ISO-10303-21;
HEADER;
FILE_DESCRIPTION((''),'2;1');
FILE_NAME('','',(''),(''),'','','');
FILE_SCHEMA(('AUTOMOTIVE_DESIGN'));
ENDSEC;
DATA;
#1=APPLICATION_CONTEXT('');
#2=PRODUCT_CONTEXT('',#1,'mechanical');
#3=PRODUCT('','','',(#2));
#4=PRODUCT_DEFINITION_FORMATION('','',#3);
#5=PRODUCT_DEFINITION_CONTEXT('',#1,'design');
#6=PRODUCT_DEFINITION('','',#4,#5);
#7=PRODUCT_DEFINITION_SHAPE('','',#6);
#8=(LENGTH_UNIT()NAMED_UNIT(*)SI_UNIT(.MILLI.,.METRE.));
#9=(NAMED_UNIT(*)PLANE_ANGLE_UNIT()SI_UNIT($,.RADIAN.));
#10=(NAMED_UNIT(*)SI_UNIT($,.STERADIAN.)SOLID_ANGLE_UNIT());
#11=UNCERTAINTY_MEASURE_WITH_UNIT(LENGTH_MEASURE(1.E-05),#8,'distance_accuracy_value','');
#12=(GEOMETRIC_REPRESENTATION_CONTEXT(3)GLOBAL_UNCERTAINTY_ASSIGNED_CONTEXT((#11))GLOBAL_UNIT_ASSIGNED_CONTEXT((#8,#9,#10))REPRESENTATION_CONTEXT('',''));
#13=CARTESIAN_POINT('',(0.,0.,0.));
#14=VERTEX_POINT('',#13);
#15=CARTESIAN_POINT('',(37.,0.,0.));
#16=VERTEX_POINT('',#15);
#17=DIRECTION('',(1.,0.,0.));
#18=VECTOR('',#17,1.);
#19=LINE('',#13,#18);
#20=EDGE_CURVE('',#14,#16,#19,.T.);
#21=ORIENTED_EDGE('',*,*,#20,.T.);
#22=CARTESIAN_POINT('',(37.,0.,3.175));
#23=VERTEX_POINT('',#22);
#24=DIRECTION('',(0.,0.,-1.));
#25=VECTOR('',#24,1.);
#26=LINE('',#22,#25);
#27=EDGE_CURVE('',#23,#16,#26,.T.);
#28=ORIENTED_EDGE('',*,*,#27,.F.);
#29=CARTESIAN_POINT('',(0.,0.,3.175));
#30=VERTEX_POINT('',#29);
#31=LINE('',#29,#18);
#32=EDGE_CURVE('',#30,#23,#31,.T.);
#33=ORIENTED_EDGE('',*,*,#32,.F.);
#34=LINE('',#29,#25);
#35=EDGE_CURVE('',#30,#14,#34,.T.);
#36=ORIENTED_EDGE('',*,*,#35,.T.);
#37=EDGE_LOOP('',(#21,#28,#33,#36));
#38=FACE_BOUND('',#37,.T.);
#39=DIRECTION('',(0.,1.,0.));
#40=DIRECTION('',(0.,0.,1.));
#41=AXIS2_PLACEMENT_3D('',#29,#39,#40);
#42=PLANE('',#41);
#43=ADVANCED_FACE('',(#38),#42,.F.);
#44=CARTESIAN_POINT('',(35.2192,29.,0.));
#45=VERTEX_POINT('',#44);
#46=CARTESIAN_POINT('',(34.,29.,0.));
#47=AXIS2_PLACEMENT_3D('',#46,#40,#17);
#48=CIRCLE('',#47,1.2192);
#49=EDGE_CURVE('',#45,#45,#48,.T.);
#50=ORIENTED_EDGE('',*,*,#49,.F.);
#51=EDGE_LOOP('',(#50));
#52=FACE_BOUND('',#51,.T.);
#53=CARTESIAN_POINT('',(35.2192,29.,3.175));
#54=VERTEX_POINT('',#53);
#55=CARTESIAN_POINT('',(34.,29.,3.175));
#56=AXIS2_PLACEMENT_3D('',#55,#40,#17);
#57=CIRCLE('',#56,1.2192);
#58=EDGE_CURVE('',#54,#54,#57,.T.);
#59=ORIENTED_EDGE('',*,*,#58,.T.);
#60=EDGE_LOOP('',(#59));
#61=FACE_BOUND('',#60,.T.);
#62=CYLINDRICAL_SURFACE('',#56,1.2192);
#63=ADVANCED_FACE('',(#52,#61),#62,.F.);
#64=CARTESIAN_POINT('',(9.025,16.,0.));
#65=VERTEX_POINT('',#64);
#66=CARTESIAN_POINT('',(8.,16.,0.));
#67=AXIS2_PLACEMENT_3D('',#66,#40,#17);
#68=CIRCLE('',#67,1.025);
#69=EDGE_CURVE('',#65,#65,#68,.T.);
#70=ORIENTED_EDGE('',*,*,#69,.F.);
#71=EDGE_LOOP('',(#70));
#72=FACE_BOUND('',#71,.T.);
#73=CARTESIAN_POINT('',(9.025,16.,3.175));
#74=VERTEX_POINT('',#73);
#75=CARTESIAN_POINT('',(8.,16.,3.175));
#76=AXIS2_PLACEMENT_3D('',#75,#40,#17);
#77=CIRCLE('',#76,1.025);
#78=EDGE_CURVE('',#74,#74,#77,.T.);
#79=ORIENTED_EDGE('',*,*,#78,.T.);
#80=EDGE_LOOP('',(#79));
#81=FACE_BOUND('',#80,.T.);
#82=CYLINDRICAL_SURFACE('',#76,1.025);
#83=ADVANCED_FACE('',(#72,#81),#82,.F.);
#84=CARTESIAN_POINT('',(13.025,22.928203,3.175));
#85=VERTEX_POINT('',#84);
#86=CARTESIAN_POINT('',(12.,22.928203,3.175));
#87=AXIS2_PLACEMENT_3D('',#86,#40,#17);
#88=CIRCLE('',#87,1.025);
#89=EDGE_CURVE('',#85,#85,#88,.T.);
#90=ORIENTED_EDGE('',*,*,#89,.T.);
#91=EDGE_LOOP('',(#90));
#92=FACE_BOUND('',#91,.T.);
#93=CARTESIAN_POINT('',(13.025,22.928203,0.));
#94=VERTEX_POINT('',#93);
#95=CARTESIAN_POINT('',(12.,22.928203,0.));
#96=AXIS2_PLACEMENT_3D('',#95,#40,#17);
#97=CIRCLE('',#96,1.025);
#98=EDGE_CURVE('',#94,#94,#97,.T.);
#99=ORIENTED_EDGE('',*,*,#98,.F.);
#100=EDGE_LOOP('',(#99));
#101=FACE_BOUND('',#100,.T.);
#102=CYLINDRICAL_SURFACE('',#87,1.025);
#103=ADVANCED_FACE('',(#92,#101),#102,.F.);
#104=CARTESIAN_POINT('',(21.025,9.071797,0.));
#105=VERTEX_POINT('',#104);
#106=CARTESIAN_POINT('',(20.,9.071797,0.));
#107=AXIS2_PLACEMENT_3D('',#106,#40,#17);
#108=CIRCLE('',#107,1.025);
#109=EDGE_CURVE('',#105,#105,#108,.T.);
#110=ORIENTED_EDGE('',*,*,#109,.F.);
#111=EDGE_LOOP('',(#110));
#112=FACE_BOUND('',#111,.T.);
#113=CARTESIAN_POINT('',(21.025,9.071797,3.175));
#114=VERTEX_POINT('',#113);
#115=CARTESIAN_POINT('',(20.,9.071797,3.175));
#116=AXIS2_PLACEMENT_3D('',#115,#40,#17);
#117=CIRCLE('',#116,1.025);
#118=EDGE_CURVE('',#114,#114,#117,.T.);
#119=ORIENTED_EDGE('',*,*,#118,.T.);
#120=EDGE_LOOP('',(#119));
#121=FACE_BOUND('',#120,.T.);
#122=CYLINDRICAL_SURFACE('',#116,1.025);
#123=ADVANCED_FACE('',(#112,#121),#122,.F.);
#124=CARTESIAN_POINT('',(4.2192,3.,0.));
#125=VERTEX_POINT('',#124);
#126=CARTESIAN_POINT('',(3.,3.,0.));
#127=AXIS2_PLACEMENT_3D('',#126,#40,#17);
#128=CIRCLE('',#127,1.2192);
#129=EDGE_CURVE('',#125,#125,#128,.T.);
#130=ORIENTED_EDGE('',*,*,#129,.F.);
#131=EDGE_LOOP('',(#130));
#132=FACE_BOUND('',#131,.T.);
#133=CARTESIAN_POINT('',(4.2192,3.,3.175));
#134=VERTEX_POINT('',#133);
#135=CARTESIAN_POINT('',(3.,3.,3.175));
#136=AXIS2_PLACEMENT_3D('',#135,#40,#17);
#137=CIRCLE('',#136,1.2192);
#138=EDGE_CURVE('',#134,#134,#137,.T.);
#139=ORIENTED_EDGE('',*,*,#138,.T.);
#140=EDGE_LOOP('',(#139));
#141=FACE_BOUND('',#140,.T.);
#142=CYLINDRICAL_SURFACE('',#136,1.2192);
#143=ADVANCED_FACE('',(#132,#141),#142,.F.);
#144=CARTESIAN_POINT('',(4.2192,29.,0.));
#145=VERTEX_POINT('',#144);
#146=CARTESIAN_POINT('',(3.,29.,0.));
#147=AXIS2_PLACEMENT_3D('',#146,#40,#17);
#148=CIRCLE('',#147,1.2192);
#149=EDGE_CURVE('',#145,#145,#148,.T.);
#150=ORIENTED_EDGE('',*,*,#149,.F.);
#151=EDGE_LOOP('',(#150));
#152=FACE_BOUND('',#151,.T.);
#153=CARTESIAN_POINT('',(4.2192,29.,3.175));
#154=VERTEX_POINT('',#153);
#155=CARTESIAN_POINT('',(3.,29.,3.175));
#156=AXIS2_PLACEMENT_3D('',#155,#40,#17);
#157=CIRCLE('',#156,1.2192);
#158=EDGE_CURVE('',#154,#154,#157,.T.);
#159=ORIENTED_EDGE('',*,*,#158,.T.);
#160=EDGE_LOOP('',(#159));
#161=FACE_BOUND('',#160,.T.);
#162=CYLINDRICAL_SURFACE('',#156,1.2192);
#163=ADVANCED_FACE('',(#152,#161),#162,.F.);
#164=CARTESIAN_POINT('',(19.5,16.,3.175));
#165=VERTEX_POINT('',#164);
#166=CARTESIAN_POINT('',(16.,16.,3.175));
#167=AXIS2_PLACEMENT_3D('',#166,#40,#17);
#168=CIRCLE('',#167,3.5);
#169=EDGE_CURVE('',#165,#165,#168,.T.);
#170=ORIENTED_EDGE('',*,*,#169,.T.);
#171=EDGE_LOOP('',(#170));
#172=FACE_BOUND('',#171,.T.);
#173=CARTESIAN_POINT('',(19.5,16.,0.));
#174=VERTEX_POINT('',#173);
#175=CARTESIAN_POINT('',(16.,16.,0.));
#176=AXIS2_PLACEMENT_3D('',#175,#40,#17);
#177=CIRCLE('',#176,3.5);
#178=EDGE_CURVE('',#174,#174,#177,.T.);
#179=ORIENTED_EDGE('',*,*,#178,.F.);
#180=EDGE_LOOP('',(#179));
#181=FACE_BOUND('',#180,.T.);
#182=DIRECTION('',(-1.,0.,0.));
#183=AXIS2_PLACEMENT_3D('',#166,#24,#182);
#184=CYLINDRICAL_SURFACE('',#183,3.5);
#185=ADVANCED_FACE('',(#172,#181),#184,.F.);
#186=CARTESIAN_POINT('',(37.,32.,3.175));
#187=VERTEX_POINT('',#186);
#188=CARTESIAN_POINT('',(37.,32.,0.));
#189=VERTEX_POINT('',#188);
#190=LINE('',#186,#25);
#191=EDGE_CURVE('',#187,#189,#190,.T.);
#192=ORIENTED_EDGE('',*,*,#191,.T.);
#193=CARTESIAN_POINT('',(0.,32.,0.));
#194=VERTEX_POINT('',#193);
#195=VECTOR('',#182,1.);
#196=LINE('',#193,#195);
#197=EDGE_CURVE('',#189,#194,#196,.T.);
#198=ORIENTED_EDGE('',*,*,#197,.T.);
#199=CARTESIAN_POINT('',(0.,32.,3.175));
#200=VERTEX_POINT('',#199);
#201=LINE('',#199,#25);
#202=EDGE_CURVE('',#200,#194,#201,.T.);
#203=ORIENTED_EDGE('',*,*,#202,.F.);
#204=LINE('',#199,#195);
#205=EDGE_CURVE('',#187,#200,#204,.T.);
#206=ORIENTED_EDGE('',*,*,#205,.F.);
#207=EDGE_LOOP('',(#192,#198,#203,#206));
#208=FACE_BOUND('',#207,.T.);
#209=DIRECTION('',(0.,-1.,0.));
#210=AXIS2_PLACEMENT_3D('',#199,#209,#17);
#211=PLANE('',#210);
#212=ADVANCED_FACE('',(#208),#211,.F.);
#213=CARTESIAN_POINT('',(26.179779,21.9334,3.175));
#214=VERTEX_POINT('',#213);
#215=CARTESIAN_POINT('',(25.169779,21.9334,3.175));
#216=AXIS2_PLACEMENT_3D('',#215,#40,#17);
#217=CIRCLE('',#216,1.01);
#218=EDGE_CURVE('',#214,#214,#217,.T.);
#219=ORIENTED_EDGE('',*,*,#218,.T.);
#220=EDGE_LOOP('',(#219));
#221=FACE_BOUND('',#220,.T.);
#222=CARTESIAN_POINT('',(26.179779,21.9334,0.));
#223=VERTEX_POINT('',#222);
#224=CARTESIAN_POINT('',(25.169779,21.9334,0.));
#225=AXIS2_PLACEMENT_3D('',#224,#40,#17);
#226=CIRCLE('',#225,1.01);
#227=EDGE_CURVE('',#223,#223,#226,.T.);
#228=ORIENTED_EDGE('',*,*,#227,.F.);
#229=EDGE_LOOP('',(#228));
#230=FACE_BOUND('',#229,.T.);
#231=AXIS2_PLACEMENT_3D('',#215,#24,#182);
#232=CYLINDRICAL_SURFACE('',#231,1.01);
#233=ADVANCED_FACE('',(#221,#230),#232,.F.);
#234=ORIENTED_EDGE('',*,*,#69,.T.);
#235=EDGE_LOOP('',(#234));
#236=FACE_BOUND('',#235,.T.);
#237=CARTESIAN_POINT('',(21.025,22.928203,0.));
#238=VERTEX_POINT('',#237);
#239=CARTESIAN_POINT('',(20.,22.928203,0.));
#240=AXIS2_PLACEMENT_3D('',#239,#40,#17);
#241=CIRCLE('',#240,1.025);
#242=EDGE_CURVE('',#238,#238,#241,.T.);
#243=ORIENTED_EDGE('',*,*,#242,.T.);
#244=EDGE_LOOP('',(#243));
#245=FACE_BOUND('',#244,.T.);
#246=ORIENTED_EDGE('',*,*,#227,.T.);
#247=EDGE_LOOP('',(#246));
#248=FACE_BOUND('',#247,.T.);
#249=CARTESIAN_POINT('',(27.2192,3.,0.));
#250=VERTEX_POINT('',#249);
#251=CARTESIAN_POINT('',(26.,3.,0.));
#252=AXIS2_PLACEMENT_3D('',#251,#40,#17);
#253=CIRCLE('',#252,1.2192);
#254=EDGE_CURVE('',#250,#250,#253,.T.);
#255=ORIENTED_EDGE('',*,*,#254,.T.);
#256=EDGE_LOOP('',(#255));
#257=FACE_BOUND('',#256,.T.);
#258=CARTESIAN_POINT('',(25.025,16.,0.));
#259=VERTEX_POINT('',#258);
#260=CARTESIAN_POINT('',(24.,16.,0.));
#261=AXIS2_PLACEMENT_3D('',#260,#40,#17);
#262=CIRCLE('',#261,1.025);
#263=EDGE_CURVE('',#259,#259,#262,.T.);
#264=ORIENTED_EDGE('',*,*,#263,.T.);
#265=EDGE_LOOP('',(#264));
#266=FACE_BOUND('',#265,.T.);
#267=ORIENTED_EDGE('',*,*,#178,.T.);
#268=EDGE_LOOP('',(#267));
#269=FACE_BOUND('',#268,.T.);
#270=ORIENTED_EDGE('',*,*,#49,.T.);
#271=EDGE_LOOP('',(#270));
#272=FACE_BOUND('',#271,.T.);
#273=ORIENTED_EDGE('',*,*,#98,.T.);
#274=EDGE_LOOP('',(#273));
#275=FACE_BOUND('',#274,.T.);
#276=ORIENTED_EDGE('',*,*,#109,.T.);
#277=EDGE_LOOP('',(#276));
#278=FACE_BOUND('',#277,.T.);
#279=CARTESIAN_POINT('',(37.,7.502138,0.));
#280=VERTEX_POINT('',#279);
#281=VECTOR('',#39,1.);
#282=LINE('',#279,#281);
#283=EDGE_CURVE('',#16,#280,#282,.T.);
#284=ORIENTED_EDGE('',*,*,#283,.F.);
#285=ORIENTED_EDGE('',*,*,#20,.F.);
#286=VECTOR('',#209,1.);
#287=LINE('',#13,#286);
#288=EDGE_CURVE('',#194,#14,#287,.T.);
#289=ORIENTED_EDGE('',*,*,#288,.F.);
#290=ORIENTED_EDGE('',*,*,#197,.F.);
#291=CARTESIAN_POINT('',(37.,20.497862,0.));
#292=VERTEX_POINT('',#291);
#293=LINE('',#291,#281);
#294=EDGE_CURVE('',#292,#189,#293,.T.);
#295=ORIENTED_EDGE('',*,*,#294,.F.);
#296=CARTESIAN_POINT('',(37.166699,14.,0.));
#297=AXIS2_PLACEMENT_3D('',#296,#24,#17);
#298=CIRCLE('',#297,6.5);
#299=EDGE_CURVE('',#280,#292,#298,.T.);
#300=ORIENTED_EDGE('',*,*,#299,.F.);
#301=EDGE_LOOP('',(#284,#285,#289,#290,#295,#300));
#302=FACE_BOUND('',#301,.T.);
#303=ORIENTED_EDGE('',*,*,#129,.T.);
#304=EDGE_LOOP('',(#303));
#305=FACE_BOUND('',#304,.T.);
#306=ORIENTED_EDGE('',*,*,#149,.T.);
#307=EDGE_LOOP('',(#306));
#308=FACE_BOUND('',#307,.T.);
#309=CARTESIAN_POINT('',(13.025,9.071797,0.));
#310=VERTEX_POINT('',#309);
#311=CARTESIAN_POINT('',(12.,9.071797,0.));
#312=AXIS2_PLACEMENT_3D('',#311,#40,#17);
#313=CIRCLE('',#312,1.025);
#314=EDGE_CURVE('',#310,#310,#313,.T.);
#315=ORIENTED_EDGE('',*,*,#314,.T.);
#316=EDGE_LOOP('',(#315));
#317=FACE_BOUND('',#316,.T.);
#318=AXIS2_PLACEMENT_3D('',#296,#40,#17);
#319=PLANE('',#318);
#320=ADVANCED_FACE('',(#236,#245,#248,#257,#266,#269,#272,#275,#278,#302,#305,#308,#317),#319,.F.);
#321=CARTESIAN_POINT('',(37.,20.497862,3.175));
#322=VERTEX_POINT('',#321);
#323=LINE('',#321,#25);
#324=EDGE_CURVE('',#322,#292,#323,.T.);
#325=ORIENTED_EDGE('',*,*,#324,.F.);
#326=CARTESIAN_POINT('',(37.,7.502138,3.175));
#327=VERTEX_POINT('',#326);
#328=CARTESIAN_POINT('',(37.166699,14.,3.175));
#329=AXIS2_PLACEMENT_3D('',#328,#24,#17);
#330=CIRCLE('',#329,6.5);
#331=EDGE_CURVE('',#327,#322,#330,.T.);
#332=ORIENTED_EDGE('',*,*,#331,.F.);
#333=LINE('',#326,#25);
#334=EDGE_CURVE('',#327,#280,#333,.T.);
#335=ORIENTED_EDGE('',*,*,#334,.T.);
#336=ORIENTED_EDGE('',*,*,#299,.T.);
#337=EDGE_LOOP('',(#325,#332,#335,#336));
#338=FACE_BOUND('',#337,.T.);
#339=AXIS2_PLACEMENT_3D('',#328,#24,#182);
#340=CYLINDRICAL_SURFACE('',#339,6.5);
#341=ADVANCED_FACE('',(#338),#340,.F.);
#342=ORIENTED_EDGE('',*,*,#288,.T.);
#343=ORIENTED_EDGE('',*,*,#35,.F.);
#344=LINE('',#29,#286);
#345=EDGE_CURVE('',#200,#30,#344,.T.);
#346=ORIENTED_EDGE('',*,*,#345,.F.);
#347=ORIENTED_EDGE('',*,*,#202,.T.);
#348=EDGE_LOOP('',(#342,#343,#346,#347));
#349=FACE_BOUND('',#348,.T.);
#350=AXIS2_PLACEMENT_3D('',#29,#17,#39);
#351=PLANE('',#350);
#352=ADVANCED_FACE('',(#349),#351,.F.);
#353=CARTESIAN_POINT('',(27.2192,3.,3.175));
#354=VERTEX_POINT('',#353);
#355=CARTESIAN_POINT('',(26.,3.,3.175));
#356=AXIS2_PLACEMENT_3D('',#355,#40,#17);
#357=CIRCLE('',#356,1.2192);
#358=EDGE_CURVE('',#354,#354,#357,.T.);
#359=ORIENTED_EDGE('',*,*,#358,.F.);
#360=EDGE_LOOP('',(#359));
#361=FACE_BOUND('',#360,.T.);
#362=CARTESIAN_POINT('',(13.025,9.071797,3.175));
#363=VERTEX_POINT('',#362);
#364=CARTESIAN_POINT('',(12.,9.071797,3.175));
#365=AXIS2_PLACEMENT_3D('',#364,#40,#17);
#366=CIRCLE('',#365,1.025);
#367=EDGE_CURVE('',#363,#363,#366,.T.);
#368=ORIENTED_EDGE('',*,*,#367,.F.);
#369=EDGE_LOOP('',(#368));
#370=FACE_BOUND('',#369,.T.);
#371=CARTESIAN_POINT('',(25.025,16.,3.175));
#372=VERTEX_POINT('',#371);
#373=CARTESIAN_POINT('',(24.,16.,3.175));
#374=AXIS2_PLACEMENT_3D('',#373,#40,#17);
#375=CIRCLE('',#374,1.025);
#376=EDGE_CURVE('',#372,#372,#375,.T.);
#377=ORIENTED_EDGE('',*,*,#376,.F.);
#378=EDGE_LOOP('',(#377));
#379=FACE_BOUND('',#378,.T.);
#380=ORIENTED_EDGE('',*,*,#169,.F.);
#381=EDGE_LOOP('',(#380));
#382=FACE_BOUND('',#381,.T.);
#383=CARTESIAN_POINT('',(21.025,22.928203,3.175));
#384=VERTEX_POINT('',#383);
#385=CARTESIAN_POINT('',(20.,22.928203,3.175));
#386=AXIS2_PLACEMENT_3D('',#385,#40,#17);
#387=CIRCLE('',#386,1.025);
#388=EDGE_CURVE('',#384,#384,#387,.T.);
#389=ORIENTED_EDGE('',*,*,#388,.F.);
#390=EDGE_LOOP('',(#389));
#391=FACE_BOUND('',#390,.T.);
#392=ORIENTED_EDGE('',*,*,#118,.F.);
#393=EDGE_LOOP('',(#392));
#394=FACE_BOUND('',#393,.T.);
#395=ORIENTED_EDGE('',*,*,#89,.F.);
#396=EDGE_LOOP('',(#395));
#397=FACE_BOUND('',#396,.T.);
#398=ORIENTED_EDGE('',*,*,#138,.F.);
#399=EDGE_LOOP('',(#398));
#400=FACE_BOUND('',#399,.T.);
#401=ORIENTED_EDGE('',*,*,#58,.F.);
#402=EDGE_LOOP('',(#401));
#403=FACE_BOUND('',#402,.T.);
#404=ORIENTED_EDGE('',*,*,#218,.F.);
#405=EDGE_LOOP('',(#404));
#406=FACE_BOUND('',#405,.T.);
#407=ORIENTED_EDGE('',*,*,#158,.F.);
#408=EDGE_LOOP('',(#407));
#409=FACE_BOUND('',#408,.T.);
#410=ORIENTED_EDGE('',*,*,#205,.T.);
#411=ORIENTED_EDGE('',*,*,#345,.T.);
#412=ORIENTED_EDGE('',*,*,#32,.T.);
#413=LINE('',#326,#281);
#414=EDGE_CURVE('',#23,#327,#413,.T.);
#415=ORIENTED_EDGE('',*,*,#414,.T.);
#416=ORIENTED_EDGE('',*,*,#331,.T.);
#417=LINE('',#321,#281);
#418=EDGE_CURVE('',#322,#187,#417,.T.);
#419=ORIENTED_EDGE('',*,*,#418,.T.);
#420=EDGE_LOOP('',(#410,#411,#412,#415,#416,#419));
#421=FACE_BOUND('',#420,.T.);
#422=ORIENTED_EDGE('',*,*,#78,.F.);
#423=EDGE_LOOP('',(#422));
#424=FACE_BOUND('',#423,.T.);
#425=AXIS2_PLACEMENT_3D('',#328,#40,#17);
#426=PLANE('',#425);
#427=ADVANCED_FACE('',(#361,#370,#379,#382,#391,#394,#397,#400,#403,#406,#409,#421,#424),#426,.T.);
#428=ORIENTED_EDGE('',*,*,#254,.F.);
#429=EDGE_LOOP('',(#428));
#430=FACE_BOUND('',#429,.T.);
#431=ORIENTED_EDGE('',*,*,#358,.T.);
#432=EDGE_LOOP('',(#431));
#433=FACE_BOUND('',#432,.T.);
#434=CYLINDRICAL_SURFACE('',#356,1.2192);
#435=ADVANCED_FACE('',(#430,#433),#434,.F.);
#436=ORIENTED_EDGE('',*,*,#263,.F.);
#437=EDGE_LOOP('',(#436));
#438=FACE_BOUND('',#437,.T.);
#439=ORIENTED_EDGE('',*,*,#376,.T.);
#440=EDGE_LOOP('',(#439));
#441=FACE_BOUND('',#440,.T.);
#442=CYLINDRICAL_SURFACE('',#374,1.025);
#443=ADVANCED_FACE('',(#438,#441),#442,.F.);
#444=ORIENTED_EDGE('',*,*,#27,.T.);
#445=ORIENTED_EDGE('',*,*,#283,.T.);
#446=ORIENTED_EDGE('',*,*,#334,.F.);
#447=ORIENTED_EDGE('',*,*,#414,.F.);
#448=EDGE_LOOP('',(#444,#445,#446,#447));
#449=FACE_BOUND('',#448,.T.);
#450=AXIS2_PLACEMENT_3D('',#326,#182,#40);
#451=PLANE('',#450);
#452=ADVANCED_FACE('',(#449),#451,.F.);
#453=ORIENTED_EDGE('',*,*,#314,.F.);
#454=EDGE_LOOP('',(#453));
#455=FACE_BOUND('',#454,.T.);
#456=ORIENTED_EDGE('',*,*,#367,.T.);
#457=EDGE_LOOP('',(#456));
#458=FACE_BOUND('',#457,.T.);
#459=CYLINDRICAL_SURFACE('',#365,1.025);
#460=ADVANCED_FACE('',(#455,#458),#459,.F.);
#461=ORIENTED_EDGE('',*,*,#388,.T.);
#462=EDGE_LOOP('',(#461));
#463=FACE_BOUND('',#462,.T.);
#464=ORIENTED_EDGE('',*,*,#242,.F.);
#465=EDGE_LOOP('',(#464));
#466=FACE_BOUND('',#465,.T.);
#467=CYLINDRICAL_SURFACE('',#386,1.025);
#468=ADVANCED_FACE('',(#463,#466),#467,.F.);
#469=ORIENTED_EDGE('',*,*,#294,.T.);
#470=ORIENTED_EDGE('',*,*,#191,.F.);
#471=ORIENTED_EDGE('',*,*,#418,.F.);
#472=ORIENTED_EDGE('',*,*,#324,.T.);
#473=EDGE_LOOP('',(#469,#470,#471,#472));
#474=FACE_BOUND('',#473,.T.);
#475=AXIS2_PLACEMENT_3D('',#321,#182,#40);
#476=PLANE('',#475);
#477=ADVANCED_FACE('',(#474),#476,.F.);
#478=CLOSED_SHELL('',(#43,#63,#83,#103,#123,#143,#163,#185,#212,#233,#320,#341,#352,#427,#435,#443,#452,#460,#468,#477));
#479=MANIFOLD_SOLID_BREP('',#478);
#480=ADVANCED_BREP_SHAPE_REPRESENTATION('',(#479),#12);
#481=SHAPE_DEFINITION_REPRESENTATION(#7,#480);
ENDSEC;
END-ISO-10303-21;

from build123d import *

# Parameters (mm, degrees)
SKETCH1_R                 = 1.01
SKETCH1_R_2               = 3.5
BOSS_EXTRUDE2_DEPTH       = 3.175
F_2_CLEARANCE_HOLE1_D     = 2.4384
F_2_CLEARANCE_HOLE1_DEPTH = 3.302
F_2_CLEARANCE_HOLE1_TIP   = 0.732569267
M2_5X0_45_TAPPED_HOLE1_D  = 2.05


with BuildPart() as part:
    # Sketch1 → Boss-Extrude2 (new body)
    with BuildSketch(Plane.XY):
        with BuildLine():
            Line((0, 0), (37, 0))
            Line((37, 0), (37, 7.50213794))
            ThreePointArc((37, 7.50213794), (30.666699296, 14), (37, 20.49786206))
            Line((37, 20.49786206), (37, 32))
            Line((37, 32), (0, 32))
            Line((0, 32), (0, 0))
        make_face()
        with Locations((25.169778966, 21.933400182)):
            Circle(SKETCH1_R, mode=Mode.SUBTRACT)
        with Locations((16, 16)):
            Circle(SKETCH1_R_2, mode=Mode.SUBTRACT)
    extrude(amount=BOSS_EXTRUDE2_DEPTH)

    # #2 Clearance Hole1
    with Locations(Plane.XY.offset(3.175)):
        with Locations((3, 29), (3, 3), (34, 29), (26, 3)):
            Hole(F_2_CLEARANCE_HOLE1_D / 2, depth=F_2_CLEARANCE_HOLE1_DEPTH)
            with Locations((0, 0, -(F_2_CLEARANCE_HOLE1_DEPTH + F_2_CLEARANCE_HOLE1_TIP / 2))):  # 118° drill point
                Cone(0, F_2_CLEARANCE_HOLE1_D / 2, F_2_CLEARANCE_HOLE1_TIP, mode=Mode.SUBTRACT)

    # M2.5x0.45 Tapped Hole1 (through all)
    with Locations(Plane.XY.offset(3.175)):
        with Locations((8, 16), (12, 22.92820323), (20, 22.92820323), (24, 16), (20, 9.07179677), (12, 9.07179677), (16, 16)):
            Hole(M2_5X0_45_TAPPED_HOLE1_D / 2)


solid = part.part
